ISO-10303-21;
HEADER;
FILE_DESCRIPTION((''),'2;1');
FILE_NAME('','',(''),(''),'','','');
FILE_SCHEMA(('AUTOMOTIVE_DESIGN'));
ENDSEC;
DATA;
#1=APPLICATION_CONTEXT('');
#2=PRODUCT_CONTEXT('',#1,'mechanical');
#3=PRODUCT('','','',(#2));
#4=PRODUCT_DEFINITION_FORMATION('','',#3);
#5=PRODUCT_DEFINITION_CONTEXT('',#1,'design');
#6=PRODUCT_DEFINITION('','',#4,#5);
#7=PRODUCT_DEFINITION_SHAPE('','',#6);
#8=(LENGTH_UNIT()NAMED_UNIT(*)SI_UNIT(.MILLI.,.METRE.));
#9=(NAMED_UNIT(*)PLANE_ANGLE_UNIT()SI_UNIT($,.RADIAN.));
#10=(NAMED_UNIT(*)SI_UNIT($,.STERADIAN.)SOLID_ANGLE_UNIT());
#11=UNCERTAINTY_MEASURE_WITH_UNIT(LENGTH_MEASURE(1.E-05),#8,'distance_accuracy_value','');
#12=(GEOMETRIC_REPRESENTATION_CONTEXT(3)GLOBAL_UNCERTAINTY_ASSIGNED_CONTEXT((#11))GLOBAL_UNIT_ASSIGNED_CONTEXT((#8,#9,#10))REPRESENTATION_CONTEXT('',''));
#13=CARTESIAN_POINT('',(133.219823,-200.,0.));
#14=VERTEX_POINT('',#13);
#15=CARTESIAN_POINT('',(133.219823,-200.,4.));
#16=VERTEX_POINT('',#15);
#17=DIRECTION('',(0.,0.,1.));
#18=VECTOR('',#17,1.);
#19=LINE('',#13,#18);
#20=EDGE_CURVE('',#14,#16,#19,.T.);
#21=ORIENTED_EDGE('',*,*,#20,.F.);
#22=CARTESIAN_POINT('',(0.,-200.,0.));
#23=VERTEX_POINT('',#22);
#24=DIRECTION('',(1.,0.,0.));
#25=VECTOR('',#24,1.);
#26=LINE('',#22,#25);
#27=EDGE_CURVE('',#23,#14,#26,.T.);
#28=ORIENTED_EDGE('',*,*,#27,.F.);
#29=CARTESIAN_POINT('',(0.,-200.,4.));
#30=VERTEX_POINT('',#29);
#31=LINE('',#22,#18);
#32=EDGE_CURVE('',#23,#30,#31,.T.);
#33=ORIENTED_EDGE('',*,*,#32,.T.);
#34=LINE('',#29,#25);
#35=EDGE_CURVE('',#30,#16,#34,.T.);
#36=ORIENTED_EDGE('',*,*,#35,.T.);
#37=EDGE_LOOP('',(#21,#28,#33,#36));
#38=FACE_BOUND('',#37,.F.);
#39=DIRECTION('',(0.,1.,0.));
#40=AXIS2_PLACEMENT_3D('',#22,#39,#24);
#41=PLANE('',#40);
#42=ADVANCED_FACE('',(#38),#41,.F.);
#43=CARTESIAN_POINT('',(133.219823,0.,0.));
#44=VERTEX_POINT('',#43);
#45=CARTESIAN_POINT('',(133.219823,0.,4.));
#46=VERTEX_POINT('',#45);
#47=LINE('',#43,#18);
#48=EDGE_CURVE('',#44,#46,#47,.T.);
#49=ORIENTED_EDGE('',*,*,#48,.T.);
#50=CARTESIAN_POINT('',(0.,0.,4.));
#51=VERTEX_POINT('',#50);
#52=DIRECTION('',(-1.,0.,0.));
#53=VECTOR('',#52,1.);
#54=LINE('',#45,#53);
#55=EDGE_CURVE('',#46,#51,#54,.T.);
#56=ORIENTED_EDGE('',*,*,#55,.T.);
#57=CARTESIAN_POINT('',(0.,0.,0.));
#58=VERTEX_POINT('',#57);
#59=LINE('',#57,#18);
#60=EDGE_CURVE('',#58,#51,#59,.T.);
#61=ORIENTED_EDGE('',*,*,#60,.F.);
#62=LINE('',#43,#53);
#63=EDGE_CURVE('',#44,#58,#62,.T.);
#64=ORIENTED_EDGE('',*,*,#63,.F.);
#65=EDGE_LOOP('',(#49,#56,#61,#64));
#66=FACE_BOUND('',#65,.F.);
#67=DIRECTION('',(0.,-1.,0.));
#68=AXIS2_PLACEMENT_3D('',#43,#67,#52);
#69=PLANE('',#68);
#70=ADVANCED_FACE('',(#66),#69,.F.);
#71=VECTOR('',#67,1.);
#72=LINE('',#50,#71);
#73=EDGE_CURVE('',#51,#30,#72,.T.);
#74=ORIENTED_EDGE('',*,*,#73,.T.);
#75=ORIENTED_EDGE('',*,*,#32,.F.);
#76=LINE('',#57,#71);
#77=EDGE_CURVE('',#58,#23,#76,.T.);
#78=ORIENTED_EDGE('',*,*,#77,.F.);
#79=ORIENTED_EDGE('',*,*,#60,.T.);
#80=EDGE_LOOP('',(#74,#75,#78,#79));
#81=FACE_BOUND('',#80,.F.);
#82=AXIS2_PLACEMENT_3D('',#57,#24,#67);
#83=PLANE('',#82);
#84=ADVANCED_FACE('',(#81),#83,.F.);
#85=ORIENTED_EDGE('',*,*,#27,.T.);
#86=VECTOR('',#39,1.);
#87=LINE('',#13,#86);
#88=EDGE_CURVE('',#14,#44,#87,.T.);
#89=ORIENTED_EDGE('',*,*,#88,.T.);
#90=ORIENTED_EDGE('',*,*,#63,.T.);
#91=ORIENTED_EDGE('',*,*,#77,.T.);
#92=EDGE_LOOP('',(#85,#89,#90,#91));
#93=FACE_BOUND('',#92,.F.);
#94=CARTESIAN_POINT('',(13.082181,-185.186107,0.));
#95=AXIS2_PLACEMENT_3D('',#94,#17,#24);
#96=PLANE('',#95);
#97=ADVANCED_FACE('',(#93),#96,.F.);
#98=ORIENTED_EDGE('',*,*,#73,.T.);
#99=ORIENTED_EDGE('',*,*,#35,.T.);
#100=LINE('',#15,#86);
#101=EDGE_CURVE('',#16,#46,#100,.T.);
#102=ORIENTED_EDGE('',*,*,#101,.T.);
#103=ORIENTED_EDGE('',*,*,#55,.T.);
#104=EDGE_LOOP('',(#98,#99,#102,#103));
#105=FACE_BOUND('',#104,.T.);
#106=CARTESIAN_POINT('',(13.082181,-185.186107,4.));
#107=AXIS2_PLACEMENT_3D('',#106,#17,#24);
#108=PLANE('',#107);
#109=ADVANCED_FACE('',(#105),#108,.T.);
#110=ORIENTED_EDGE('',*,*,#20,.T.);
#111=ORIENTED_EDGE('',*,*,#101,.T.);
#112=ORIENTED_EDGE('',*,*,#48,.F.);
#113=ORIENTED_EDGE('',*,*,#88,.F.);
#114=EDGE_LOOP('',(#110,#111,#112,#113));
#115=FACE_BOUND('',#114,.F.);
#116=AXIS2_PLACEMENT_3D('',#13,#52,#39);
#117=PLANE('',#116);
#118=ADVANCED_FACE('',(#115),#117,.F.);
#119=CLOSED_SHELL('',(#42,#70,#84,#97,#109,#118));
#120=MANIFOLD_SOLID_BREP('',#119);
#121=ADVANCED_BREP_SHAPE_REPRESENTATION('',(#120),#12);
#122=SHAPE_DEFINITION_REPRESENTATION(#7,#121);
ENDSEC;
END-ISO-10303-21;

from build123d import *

# Parameters (mm, degrees)
F0_W     = 26.1643622071
F0_H     = 29.6277850866
F0_H_2   = 147.5912675261
F0_W_2   = 26.3665765524
F0_H_3   = 22.7809473872
F0_W_3   = 80.6888844818
F1_DEPTH = 4


with BuildPart() as f1:
    # F0 (on Top) → F1 (new body)
    with BuildSketch(Plane.XY):
        with Locations((13.0821811035, -185.1861074567)):
            Rectangle(F0_W, F0_H)
        with Locations((13.0821811035, -96.5765811503)):
            Rectangle(F0_W, F0_H_2)
        with Locations((120.036534965, -11.3904736936)):
            Rectangle(F0_W_2, F0_H_3)
        with Locations((66.5088044479, -11.3904736936)):
            Rectangle(F0_W_3, F0_H_3)
        with Locations((120.036534965, -96.5765811503)):
            Rectangle(F0_W_2, F0_H_2)
        with Locations((13.0821811035, -11.3904736936)):
            Rectangle(F0_W, F0_H_3)
        with Locations((66.5088044479, -185.1861074567)):
            Rectangle(F0_W_3, F0_H)
        with Locations((120.036534965, -185.1861074567)):
            Rectangle(F0_W_2, F0_H)
        with Locations((66.5088044479, -96.5765811503)):
            Rectangle(F0_W_3, F0_H_2)
    extrude(amount=F1_DEPTH)


solid = f1.part
